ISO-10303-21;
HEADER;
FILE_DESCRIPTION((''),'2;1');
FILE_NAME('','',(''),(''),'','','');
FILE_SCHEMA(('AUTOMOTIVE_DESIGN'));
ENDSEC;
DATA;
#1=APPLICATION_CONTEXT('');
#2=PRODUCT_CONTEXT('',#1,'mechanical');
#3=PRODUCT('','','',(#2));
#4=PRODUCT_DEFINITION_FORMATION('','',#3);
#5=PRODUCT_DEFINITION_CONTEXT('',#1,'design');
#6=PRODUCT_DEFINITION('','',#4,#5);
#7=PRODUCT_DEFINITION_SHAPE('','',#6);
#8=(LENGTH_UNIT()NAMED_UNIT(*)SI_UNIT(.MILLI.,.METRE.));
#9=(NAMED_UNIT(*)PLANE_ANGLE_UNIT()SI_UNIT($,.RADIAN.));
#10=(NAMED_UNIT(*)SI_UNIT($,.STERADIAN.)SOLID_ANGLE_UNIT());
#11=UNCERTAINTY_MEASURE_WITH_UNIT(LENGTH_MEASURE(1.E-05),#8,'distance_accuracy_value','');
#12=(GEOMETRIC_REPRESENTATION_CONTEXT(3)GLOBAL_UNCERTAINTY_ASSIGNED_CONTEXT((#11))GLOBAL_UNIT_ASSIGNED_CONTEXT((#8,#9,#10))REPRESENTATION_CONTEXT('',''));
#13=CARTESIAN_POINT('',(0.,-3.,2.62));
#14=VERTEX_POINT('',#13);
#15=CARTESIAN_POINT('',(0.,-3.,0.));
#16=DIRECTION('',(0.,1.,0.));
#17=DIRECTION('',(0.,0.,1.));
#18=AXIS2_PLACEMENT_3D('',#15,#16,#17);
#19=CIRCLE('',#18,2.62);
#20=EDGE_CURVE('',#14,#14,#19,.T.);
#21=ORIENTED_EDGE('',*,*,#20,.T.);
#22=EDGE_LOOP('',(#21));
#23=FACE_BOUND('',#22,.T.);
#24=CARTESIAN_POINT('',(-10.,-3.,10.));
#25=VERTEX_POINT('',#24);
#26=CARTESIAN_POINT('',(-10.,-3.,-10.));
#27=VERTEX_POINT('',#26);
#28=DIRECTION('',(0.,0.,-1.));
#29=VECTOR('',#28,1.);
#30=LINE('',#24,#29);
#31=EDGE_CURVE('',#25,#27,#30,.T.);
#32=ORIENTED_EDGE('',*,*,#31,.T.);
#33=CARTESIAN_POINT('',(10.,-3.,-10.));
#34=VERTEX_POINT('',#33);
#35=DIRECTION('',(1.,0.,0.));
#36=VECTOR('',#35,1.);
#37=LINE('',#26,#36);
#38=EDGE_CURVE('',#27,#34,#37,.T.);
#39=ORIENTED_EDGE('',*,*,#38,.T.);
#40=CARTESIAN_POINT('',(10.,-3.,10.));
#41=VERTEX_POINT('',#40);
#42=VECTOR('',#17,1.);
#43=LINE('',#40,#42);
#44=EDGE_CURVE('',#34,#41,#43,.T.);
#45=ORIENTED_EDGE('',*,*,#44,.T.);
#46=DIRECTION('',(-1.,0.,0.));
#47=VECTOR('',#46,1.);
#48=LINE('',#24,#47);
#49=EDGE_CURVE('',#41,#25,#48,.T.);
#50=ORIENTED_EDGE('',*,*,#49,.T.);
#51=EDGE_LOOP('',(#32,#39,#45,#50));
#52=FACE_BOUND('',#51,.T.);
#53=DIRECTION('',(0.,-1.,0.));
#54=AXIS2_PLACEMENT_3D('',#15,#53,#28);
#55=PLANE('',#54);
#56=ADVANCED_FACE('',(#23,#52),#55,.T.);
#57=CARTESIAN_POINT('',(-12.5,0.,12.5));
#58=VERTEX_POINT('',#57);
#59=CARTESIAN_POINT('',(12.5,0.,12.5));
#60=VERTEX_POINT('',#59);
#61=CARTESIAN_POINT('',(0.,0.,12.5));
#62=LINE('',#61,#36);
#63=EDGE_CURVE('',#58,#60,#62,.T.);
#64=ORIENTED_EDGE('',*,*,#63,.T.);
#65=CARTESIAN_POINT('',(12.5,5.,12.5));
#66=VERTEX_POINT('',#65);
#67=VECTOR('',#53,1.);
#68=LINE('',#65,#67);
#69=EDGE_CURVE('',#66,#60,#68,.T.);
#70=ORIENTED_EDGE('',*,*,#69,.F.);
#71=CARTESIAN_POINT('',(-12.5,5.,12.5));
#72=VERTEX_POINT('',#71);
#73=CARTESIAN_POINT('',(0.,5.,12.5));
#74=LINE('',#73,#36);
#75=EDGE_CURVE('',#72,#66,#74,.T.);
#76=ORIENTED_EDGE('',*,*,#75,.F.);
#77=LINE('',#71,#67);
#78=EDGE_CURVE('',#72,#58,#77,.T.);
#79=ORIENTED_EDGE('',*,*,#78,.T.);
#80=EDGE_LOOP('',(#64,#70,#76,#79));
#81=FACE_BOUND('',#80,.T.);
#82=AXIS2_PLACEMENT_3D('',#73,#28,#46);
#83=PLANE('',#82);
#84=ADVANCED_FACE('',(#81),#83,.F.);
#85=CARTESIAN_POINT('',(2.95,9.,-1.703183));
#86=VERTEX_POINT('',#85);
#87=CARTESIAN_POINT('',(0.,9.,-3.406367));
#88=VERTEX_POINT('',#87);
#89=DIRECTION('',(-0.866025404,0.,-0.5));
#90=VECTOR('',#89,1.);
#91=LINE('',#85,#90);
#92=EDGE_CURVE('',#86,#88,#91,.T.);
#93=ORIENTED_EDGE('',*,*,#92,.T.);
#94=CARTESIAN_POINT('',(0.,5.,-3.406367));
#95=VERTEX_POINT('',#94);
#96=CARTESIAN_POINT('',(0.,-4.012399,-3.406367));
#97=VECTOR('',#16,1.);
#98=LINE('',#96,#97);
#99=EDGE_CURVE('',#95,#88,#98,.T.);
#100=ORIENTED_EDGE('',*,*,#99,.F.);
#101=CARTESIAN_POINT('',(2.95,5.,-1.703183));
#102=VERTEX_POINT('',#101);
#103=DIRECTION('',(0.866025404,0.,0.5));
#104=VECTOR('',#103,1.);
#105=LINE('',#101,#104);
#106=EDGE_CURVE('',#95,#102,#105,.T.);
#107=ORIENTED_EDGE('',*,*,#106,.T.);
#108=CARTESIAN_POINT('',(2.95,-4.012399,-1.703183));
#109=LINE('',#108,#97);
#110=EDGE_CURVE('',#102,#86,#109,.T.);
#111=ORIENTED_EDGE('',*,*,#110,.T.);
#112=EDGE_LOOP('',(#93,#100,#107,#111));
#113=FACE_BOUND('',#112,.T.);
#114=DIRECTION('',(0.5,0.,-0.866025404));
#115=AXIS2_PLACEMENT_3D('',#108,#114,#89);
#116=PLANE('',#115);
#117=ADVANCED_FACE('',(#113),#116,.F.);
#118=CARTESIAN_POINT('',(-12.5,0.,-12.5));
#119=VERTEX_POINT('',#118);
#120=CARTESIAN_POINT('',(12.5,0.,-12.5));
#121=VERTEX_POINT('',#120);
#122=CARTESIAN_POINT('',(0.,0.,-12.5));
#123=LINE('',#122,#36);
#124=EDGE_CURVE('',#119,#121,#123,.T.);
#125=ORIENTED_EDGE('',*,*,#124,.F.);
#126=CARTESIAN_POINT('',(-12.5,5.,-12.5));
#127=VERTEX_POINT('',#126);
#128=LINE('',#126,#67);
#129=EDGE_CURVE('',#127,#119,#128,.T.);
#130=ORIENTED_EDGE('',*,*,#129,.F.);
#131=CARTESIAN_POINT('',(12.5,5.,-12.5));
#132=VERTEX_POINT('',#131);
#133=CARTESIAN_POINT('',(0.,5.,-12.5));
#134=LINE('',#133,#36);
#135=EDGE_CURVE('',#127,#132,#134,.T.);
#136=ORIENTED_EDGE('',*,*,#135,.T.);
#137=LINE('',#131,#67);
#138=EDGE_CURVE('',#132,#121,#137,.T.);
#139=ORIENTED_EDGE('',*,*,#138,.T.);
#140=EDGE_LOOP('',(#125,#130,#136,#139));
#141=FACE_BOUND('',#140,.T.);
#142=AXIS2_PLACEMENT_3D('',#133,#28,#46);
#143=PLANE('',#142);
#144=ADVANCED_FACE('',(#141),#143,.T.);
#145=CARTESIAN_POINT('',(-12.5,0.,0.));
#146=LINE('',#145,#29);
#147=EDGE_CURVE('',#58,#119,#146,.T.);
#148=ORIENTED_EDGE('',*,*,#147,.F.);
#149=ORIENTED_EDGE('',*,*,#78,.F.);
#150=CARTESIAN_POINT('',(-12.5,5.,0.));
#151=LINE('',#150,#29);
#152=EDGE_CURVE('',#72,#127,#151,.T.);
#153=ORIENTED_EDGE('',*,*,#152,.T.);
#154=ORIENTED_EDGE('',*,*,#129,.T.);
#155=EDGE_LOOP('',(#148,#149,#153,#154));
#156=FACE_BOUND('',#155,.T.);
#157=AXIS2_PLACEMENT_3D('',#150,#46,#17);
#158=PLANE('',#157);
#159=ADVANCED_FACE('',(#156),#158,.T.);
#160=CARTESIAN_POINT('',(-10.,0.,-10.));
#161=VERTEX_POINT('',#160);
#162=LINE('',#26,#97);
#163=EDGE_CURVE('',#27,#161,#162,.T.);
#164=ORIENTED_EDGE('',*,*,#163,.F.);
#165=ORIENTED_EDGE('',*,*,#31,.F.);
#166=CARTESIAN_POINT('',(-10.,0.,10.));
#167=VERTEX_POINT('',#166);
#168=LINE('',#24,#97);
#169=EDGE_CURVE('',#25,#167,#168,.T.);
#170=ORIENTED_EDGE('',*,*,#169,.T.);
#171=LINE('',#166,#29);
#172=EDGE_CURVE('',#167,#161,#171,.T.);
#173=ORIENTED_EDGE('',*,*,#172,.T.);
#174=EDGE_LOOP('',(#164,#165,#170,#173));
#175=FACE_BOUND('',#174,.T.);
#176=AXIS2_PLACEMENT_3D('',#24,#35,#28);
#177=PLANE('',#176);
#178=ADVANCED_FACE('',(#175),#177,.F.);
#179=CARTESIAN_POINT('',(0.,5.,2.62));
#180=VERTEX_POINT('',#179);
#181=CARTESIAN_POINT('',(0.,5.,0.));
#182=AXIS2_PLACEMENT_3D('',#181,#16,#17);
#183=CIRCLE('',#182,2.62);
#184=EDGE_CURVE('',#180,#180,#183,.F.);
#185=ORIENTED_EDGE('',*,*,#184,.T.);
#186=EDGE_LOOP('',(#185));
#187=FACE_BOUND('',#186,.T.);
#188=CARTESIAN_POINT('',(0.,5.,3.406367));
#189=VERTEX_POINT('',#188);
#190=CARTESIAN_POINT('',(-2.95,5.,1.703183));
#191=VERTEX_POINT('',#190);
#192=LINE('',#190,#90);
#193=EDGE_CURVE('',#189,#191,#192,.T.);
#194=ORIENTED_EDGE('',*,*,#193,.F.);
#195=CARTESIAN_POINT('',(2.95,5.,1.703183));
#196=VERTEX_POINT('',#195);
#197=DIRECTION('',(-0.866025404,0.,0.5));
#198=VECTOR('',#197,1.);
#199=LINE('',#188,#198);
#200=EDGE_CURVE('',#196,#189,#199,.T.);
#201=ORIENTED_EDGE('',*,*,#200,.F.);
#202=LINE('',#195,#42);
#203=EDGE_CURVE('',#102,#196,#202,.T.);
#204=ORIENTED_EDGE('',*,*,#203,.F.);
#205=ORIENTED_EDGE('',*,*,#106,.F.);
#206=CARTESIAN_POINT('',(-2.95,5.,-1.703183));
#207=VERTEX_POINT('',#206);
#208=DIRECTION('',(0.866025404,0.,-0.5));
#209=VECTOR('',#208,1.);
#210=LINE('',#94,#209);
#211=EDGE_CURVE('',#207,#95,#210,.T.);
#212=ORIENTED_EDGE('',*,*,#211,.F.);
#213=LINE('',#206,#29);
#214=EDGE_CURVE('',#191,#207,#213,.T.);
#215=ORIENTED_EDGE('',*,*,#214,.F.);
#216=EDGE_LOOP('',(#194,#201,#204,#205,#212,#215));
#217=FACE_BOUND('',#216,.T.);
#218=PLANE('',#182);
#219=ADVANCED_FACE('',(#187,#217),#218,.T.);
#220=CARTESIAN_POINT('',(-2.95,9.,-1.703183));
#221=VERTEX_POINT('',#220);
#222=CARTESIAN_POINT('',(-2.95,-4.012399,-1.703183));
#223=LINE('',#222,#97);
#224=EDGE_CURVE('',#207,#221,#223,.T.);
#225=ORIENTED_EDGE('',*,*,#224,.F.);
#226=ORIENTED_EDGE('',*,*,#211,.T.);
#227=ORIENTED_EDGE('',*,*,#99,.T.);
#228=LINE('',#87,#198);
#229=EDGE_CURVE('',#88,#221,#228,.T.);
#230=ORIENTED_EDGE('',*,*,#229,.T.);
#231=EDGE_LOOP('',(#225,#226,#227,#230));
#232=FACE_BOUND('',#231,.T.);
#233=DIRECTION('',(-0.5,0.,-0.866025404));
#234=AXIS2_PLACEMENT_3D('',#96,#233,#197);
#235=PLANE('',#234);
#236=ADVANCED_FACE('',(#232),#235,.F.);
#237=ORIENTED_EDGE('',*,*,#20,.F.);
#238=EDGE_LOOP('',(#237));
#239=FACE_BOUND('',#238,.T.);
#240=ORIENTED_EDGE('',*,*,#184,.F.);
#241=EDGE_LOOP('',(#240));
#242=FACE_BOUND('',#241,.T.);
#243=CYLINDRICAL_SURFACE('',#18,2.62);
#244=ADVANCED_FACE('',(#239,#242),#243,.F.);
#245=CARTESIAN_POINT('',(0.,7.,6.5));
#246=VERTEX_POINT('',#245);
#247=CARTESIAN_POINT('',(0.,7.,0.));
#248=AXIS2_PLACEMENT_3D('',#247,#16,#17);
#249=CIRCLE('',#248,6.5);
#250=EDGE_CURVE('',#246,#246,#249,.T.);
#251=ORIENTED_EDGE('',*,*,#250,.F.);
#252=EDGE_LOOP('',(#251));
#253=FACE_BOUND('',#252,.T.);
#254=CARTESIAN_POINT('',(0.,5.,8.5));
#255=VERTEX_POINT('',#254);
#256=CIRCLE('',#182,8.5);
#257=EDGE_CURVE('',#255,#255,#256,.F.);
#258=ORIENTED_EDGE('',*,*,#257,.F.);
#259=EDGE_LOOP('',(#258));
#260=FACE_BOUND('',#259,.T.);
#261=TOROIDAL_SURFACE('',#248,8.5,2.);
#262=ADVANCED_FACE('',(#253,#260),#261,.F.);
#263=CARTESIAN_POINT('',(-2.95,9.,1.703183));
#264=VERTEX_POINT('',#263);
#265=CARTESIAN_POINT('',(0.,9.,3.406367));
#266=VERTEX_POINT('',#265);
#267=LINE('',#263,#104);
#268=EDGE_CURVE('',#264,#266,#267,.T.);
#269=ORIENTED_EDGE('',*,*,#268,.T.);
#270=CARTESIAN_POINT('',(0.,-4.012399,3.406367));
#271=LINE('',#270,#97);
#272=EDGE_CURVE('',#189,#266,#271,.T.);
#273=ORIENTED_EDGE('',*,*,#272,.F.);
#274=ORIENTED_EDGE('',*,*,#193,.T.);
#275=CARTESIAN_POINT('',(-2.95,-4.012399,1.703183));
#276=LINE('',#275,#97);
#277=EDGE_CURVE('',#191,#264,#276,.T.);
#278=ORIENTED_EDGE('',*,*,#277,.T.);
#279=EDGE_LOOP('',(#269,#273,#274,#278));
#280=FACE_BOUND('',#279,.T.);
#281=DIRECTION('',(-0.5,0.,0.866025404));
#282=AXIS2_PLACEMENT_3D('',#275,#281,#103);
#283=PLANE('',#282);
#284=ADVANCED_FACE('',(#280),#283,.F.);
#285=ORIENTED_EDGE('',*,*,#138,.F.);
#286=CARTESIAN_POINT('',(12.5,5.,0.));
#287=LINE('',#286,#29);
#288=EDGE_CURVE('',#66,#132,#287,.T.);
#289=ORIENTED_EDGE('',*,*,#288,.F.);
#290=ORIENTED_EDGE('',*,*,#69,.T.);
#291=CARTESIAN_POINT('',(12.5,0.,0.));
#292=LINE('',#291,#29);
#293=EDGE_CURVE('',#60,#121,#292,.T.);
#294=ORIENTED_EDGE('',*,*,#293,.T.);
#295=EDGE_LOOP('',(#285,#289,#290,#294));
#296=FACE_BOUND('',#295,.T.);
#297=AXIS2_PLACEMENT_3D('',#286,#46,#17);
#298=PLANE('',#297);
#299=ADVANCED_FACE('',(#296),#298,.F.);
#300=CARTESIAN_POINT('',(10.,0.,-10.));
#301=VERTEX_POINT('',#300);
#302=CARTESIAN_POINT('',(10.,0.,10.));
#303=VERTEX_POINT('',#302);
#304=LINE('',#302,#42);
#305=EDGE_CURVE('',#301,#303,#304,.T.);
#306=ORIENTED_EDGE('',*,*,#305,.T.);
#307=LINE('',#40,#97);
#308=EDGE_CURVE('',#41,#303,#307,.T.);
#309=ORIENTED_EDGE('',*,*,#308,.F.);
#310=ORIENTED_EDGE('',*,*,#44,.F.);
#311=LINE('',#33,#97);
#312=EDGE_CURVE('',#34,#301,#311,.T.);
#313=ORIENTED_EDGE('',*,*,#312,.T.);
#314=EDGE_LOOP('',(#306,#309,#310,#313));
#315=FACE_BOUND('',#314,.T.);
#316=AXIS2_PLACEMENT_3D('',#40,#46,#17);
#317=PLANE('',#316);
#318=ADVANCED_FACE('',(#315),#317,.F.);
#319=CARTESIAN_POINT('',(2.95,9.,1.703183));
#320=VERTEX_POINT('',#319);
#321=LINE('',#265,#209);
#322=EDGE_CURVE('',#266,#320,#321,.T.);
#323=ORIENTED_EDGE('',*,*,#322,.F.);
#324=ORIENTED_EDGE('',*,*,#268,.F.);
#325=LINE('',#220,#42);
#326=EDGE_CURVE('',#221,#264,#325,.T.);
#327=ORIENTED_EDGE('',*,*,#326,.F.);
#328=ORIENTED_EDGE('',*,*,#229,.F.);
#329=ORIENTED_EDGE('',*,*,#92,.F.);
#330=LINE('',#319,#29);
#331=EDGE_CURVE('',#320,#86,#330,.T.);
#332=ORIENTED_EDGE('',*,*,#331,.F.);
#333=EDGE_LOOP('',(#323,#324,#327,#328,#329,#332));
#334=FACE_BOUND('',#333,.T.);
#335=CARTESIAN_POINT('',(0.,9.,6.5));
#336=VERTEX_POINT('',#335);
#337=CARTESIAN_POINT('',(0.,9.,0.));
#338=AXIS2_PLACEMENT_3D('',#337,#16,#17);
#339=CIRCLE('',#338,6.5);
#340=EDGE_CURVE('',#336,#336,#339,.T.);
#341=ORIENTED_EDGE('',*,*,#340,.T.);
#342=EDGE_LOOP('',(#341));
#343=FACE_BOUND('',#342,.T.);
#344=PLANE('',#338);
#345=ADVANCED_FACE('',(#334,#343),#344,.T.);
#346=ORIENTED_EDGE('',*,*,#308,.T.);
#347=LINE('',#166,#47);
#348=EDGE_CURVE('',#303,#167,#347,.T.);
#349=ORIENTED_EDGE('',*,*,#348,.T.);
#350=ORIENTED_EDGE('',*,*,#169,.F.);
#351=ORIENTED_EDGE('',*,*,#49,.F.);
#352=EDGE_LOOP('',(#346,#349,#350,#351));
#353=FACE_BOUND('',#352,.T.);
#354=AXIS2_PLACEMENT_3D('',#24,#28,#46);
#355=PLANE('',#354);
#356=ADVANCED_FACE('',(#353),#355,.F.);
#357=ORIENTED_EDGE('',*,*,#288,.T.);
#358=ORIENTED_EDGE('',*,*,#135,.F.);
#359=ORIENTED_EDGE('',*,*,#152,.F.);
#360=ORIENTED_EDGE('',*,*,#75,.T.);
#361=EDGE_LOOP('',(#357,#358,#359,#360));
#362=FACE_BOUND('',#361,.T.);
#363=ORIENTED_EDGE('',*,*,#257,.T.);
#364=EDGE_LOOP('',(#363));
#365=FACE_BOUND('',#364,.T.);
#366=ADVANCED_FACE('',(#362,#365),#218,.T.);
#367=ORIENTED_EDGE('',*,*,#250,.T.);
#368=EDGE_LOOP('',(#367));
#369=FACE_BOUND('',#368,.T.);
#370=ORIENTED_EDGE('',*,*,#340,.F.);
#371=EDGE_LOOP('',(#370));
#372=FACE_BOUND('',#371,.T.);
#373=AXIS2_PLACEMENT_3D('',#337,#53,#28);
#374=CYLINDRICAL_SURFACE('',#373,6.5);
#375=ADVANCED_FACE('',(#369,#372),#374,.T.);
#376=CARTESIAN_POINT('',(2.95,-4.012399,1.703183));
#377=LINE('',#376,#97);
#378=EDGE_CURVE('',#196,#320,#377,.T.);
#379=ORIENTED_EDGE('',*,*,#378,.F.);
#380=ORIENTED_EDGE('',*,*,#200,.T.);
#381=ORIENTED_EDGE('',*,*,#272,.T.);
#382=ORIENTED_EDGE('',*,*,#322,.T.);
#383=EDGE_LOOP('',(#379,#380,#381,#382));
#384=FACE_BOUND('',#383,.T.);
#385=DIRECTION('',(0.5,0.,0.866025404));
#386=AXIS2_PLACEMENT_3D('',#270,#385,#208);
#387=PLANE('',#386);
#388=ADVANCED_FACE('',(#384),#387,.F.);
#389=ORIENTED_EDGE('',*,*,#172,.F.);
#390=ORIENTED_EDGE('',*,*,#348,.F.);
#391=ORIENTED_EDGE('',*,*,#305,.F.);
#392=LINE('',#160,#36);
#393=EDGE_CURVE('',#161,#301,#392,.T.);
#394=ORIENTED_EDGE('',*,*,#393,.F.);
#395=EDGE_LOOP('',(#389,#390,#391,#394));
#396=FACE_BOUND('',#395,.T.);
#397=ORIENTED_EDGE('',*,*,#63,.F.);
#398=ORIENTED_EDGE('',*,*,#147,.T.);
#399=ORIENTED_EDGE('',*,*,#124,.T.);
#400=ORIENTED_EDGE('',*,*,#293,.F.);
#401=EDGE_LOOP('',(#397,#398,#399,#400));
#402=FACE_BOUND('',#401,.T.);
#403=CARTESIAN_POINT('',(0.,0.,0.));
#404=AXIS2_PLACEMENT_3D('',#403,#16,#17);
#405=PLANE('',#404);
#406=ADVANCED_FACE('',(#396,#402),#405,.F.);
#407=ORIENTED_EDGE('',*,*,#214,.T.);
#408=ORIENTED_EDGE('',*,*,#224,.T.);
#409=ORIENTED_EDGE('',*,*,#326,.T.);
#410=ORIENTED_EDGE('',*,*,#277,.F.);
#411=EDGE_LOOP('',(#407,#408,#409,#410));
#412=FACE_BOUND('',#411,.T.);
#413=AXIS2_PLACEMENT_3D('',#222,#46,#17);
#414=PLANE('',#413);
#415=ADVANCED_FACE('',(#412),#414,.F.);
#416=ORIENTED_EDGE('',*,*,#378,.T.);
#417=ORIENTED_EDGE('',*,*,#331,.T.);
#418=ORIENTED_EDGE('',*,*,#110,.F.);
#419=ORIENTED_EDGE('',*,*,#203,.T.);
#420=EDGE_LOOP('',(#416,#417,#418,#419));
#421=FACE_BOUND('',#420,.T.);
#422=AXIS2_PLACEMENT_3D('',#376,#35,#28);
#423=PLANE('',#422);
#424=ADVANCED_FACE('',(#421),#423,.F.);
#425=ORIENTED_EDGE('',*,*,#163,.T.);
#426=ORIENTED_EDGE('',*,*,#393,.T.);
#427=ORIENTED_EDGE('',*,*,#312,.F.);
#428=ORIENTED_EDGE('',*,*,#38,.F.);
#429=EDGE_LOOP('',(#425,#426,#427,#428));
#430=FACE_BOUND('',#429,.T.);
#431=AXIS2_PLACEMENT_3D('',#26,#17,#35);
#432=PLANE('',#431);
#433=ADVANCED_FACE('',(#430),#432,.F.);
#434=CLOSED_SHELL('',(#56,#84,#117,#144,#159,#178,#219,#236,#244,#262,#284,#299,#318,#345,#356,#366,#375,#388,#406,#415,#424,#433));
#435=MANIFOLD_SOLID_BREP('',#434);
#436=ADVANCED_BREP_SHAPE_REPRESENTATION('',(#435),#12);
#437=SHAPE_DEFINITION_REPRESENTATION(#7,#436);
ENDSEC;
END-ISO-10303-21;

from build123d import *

# Parameters (mm, degrees)
SKETCH2_W               = 25
SKETCH2_H               = 25
BOSS_EXTRUDE1_DEPTH     = 5
SKETCH3_W               = 20
SKETCH3_H               = 20
BOSS_EXTRUDE2_DEPTH     = 3
SKETCH4_R               = 6.5
BOSS_EXTRUDE3_DEPTH     = 4
CUT_EXTRUDE1_DEPTH      = 22.365860619
CUT_EXTRUDE1_DEPTH_BACK = 22.365860619
SKETCH5_R               = 2.62
CUT_EXTRUDE2_DEPTH      = 4
FILLET1_R               = 2


with BuildPart() as part:
    # Sketch2 → Boss-Extrude1 (new body)
    with BuildSketch(Plane(origin=(0, 0, 0), x_dir=(1, 0, 0), z_dir=(0, 1, 0))):
        Rectangle(SKETCH2_W, SKETCH2_H)
    extrude(amount=BOSS_EXTRUDE1_DEPTH)

    # Sketch3 → Boss-Extrude2 (add)
    with BuildSketch(Plane.XZ):
        Rectangle(SKETCH3_W, SKETCH3_H)
    extrude(amount=BOSS_EXTRUDE2_DEPTH)

    # Sketch4 → Boss-Extrude3 (add)
    with BuildSketch(Plane(origin=(0, 5, 0), x_dir=(1, 0, 0), z_dir=(0, 1, 0))):
        with Locations(Location((0, 0, 0), (0, 0, 270))):
            Circle(SKETCH4_R)
    extrude(amount=BOSS_EXTRUDE3_DEPTH)

    # Sketch5 → Cut-Extrude1 (cut, two sides: drawn at the far end of the back side and taken through both)
    with BuildSketch(Plane(origin=(0, 9, 0), x_dir=(1, 0, 0), z_dir=(0, 1, 0)).offset(-CUT_EXTRUDE1_DEPTH_BACK)):
        with Locations(Location((0, 0, 0), (0, 0, 270))):
            Circle(SKETCH5_R)
    extrude(amount=CUT_EXTRUDE1_DEPTH + CUT_EXTRUDE1_DEPTH_BACK, mode=Mode.SUBTRACT)

    # Sketch6 → Cut-Extrude2 (cut)
    with BuildSketch(Plane(origin=(0, 9, 0), x_dir=(1, 0, 0), z_dir=(0, 1, 0))):
        Polygon((0, 3.406366588), (-2.95, 1.703183294), (-2.95, -1.703183294), (0, -3.406366588), (2.95, -1.703183294), (2.95, 1.703183294), align=None)
    extrude(amount=-CUT_EXTRUDE2_DEPTH, mode=Mode.SUBTRACT)

    # Fillet1
    fillet1_edges = [part.edges().sort_by_distance(p)[0] for p in [
        (0, 5, -6.5),
    ]]
    fillet(fillet1_edges, radius=FILLET1_R)


solid = part.part
